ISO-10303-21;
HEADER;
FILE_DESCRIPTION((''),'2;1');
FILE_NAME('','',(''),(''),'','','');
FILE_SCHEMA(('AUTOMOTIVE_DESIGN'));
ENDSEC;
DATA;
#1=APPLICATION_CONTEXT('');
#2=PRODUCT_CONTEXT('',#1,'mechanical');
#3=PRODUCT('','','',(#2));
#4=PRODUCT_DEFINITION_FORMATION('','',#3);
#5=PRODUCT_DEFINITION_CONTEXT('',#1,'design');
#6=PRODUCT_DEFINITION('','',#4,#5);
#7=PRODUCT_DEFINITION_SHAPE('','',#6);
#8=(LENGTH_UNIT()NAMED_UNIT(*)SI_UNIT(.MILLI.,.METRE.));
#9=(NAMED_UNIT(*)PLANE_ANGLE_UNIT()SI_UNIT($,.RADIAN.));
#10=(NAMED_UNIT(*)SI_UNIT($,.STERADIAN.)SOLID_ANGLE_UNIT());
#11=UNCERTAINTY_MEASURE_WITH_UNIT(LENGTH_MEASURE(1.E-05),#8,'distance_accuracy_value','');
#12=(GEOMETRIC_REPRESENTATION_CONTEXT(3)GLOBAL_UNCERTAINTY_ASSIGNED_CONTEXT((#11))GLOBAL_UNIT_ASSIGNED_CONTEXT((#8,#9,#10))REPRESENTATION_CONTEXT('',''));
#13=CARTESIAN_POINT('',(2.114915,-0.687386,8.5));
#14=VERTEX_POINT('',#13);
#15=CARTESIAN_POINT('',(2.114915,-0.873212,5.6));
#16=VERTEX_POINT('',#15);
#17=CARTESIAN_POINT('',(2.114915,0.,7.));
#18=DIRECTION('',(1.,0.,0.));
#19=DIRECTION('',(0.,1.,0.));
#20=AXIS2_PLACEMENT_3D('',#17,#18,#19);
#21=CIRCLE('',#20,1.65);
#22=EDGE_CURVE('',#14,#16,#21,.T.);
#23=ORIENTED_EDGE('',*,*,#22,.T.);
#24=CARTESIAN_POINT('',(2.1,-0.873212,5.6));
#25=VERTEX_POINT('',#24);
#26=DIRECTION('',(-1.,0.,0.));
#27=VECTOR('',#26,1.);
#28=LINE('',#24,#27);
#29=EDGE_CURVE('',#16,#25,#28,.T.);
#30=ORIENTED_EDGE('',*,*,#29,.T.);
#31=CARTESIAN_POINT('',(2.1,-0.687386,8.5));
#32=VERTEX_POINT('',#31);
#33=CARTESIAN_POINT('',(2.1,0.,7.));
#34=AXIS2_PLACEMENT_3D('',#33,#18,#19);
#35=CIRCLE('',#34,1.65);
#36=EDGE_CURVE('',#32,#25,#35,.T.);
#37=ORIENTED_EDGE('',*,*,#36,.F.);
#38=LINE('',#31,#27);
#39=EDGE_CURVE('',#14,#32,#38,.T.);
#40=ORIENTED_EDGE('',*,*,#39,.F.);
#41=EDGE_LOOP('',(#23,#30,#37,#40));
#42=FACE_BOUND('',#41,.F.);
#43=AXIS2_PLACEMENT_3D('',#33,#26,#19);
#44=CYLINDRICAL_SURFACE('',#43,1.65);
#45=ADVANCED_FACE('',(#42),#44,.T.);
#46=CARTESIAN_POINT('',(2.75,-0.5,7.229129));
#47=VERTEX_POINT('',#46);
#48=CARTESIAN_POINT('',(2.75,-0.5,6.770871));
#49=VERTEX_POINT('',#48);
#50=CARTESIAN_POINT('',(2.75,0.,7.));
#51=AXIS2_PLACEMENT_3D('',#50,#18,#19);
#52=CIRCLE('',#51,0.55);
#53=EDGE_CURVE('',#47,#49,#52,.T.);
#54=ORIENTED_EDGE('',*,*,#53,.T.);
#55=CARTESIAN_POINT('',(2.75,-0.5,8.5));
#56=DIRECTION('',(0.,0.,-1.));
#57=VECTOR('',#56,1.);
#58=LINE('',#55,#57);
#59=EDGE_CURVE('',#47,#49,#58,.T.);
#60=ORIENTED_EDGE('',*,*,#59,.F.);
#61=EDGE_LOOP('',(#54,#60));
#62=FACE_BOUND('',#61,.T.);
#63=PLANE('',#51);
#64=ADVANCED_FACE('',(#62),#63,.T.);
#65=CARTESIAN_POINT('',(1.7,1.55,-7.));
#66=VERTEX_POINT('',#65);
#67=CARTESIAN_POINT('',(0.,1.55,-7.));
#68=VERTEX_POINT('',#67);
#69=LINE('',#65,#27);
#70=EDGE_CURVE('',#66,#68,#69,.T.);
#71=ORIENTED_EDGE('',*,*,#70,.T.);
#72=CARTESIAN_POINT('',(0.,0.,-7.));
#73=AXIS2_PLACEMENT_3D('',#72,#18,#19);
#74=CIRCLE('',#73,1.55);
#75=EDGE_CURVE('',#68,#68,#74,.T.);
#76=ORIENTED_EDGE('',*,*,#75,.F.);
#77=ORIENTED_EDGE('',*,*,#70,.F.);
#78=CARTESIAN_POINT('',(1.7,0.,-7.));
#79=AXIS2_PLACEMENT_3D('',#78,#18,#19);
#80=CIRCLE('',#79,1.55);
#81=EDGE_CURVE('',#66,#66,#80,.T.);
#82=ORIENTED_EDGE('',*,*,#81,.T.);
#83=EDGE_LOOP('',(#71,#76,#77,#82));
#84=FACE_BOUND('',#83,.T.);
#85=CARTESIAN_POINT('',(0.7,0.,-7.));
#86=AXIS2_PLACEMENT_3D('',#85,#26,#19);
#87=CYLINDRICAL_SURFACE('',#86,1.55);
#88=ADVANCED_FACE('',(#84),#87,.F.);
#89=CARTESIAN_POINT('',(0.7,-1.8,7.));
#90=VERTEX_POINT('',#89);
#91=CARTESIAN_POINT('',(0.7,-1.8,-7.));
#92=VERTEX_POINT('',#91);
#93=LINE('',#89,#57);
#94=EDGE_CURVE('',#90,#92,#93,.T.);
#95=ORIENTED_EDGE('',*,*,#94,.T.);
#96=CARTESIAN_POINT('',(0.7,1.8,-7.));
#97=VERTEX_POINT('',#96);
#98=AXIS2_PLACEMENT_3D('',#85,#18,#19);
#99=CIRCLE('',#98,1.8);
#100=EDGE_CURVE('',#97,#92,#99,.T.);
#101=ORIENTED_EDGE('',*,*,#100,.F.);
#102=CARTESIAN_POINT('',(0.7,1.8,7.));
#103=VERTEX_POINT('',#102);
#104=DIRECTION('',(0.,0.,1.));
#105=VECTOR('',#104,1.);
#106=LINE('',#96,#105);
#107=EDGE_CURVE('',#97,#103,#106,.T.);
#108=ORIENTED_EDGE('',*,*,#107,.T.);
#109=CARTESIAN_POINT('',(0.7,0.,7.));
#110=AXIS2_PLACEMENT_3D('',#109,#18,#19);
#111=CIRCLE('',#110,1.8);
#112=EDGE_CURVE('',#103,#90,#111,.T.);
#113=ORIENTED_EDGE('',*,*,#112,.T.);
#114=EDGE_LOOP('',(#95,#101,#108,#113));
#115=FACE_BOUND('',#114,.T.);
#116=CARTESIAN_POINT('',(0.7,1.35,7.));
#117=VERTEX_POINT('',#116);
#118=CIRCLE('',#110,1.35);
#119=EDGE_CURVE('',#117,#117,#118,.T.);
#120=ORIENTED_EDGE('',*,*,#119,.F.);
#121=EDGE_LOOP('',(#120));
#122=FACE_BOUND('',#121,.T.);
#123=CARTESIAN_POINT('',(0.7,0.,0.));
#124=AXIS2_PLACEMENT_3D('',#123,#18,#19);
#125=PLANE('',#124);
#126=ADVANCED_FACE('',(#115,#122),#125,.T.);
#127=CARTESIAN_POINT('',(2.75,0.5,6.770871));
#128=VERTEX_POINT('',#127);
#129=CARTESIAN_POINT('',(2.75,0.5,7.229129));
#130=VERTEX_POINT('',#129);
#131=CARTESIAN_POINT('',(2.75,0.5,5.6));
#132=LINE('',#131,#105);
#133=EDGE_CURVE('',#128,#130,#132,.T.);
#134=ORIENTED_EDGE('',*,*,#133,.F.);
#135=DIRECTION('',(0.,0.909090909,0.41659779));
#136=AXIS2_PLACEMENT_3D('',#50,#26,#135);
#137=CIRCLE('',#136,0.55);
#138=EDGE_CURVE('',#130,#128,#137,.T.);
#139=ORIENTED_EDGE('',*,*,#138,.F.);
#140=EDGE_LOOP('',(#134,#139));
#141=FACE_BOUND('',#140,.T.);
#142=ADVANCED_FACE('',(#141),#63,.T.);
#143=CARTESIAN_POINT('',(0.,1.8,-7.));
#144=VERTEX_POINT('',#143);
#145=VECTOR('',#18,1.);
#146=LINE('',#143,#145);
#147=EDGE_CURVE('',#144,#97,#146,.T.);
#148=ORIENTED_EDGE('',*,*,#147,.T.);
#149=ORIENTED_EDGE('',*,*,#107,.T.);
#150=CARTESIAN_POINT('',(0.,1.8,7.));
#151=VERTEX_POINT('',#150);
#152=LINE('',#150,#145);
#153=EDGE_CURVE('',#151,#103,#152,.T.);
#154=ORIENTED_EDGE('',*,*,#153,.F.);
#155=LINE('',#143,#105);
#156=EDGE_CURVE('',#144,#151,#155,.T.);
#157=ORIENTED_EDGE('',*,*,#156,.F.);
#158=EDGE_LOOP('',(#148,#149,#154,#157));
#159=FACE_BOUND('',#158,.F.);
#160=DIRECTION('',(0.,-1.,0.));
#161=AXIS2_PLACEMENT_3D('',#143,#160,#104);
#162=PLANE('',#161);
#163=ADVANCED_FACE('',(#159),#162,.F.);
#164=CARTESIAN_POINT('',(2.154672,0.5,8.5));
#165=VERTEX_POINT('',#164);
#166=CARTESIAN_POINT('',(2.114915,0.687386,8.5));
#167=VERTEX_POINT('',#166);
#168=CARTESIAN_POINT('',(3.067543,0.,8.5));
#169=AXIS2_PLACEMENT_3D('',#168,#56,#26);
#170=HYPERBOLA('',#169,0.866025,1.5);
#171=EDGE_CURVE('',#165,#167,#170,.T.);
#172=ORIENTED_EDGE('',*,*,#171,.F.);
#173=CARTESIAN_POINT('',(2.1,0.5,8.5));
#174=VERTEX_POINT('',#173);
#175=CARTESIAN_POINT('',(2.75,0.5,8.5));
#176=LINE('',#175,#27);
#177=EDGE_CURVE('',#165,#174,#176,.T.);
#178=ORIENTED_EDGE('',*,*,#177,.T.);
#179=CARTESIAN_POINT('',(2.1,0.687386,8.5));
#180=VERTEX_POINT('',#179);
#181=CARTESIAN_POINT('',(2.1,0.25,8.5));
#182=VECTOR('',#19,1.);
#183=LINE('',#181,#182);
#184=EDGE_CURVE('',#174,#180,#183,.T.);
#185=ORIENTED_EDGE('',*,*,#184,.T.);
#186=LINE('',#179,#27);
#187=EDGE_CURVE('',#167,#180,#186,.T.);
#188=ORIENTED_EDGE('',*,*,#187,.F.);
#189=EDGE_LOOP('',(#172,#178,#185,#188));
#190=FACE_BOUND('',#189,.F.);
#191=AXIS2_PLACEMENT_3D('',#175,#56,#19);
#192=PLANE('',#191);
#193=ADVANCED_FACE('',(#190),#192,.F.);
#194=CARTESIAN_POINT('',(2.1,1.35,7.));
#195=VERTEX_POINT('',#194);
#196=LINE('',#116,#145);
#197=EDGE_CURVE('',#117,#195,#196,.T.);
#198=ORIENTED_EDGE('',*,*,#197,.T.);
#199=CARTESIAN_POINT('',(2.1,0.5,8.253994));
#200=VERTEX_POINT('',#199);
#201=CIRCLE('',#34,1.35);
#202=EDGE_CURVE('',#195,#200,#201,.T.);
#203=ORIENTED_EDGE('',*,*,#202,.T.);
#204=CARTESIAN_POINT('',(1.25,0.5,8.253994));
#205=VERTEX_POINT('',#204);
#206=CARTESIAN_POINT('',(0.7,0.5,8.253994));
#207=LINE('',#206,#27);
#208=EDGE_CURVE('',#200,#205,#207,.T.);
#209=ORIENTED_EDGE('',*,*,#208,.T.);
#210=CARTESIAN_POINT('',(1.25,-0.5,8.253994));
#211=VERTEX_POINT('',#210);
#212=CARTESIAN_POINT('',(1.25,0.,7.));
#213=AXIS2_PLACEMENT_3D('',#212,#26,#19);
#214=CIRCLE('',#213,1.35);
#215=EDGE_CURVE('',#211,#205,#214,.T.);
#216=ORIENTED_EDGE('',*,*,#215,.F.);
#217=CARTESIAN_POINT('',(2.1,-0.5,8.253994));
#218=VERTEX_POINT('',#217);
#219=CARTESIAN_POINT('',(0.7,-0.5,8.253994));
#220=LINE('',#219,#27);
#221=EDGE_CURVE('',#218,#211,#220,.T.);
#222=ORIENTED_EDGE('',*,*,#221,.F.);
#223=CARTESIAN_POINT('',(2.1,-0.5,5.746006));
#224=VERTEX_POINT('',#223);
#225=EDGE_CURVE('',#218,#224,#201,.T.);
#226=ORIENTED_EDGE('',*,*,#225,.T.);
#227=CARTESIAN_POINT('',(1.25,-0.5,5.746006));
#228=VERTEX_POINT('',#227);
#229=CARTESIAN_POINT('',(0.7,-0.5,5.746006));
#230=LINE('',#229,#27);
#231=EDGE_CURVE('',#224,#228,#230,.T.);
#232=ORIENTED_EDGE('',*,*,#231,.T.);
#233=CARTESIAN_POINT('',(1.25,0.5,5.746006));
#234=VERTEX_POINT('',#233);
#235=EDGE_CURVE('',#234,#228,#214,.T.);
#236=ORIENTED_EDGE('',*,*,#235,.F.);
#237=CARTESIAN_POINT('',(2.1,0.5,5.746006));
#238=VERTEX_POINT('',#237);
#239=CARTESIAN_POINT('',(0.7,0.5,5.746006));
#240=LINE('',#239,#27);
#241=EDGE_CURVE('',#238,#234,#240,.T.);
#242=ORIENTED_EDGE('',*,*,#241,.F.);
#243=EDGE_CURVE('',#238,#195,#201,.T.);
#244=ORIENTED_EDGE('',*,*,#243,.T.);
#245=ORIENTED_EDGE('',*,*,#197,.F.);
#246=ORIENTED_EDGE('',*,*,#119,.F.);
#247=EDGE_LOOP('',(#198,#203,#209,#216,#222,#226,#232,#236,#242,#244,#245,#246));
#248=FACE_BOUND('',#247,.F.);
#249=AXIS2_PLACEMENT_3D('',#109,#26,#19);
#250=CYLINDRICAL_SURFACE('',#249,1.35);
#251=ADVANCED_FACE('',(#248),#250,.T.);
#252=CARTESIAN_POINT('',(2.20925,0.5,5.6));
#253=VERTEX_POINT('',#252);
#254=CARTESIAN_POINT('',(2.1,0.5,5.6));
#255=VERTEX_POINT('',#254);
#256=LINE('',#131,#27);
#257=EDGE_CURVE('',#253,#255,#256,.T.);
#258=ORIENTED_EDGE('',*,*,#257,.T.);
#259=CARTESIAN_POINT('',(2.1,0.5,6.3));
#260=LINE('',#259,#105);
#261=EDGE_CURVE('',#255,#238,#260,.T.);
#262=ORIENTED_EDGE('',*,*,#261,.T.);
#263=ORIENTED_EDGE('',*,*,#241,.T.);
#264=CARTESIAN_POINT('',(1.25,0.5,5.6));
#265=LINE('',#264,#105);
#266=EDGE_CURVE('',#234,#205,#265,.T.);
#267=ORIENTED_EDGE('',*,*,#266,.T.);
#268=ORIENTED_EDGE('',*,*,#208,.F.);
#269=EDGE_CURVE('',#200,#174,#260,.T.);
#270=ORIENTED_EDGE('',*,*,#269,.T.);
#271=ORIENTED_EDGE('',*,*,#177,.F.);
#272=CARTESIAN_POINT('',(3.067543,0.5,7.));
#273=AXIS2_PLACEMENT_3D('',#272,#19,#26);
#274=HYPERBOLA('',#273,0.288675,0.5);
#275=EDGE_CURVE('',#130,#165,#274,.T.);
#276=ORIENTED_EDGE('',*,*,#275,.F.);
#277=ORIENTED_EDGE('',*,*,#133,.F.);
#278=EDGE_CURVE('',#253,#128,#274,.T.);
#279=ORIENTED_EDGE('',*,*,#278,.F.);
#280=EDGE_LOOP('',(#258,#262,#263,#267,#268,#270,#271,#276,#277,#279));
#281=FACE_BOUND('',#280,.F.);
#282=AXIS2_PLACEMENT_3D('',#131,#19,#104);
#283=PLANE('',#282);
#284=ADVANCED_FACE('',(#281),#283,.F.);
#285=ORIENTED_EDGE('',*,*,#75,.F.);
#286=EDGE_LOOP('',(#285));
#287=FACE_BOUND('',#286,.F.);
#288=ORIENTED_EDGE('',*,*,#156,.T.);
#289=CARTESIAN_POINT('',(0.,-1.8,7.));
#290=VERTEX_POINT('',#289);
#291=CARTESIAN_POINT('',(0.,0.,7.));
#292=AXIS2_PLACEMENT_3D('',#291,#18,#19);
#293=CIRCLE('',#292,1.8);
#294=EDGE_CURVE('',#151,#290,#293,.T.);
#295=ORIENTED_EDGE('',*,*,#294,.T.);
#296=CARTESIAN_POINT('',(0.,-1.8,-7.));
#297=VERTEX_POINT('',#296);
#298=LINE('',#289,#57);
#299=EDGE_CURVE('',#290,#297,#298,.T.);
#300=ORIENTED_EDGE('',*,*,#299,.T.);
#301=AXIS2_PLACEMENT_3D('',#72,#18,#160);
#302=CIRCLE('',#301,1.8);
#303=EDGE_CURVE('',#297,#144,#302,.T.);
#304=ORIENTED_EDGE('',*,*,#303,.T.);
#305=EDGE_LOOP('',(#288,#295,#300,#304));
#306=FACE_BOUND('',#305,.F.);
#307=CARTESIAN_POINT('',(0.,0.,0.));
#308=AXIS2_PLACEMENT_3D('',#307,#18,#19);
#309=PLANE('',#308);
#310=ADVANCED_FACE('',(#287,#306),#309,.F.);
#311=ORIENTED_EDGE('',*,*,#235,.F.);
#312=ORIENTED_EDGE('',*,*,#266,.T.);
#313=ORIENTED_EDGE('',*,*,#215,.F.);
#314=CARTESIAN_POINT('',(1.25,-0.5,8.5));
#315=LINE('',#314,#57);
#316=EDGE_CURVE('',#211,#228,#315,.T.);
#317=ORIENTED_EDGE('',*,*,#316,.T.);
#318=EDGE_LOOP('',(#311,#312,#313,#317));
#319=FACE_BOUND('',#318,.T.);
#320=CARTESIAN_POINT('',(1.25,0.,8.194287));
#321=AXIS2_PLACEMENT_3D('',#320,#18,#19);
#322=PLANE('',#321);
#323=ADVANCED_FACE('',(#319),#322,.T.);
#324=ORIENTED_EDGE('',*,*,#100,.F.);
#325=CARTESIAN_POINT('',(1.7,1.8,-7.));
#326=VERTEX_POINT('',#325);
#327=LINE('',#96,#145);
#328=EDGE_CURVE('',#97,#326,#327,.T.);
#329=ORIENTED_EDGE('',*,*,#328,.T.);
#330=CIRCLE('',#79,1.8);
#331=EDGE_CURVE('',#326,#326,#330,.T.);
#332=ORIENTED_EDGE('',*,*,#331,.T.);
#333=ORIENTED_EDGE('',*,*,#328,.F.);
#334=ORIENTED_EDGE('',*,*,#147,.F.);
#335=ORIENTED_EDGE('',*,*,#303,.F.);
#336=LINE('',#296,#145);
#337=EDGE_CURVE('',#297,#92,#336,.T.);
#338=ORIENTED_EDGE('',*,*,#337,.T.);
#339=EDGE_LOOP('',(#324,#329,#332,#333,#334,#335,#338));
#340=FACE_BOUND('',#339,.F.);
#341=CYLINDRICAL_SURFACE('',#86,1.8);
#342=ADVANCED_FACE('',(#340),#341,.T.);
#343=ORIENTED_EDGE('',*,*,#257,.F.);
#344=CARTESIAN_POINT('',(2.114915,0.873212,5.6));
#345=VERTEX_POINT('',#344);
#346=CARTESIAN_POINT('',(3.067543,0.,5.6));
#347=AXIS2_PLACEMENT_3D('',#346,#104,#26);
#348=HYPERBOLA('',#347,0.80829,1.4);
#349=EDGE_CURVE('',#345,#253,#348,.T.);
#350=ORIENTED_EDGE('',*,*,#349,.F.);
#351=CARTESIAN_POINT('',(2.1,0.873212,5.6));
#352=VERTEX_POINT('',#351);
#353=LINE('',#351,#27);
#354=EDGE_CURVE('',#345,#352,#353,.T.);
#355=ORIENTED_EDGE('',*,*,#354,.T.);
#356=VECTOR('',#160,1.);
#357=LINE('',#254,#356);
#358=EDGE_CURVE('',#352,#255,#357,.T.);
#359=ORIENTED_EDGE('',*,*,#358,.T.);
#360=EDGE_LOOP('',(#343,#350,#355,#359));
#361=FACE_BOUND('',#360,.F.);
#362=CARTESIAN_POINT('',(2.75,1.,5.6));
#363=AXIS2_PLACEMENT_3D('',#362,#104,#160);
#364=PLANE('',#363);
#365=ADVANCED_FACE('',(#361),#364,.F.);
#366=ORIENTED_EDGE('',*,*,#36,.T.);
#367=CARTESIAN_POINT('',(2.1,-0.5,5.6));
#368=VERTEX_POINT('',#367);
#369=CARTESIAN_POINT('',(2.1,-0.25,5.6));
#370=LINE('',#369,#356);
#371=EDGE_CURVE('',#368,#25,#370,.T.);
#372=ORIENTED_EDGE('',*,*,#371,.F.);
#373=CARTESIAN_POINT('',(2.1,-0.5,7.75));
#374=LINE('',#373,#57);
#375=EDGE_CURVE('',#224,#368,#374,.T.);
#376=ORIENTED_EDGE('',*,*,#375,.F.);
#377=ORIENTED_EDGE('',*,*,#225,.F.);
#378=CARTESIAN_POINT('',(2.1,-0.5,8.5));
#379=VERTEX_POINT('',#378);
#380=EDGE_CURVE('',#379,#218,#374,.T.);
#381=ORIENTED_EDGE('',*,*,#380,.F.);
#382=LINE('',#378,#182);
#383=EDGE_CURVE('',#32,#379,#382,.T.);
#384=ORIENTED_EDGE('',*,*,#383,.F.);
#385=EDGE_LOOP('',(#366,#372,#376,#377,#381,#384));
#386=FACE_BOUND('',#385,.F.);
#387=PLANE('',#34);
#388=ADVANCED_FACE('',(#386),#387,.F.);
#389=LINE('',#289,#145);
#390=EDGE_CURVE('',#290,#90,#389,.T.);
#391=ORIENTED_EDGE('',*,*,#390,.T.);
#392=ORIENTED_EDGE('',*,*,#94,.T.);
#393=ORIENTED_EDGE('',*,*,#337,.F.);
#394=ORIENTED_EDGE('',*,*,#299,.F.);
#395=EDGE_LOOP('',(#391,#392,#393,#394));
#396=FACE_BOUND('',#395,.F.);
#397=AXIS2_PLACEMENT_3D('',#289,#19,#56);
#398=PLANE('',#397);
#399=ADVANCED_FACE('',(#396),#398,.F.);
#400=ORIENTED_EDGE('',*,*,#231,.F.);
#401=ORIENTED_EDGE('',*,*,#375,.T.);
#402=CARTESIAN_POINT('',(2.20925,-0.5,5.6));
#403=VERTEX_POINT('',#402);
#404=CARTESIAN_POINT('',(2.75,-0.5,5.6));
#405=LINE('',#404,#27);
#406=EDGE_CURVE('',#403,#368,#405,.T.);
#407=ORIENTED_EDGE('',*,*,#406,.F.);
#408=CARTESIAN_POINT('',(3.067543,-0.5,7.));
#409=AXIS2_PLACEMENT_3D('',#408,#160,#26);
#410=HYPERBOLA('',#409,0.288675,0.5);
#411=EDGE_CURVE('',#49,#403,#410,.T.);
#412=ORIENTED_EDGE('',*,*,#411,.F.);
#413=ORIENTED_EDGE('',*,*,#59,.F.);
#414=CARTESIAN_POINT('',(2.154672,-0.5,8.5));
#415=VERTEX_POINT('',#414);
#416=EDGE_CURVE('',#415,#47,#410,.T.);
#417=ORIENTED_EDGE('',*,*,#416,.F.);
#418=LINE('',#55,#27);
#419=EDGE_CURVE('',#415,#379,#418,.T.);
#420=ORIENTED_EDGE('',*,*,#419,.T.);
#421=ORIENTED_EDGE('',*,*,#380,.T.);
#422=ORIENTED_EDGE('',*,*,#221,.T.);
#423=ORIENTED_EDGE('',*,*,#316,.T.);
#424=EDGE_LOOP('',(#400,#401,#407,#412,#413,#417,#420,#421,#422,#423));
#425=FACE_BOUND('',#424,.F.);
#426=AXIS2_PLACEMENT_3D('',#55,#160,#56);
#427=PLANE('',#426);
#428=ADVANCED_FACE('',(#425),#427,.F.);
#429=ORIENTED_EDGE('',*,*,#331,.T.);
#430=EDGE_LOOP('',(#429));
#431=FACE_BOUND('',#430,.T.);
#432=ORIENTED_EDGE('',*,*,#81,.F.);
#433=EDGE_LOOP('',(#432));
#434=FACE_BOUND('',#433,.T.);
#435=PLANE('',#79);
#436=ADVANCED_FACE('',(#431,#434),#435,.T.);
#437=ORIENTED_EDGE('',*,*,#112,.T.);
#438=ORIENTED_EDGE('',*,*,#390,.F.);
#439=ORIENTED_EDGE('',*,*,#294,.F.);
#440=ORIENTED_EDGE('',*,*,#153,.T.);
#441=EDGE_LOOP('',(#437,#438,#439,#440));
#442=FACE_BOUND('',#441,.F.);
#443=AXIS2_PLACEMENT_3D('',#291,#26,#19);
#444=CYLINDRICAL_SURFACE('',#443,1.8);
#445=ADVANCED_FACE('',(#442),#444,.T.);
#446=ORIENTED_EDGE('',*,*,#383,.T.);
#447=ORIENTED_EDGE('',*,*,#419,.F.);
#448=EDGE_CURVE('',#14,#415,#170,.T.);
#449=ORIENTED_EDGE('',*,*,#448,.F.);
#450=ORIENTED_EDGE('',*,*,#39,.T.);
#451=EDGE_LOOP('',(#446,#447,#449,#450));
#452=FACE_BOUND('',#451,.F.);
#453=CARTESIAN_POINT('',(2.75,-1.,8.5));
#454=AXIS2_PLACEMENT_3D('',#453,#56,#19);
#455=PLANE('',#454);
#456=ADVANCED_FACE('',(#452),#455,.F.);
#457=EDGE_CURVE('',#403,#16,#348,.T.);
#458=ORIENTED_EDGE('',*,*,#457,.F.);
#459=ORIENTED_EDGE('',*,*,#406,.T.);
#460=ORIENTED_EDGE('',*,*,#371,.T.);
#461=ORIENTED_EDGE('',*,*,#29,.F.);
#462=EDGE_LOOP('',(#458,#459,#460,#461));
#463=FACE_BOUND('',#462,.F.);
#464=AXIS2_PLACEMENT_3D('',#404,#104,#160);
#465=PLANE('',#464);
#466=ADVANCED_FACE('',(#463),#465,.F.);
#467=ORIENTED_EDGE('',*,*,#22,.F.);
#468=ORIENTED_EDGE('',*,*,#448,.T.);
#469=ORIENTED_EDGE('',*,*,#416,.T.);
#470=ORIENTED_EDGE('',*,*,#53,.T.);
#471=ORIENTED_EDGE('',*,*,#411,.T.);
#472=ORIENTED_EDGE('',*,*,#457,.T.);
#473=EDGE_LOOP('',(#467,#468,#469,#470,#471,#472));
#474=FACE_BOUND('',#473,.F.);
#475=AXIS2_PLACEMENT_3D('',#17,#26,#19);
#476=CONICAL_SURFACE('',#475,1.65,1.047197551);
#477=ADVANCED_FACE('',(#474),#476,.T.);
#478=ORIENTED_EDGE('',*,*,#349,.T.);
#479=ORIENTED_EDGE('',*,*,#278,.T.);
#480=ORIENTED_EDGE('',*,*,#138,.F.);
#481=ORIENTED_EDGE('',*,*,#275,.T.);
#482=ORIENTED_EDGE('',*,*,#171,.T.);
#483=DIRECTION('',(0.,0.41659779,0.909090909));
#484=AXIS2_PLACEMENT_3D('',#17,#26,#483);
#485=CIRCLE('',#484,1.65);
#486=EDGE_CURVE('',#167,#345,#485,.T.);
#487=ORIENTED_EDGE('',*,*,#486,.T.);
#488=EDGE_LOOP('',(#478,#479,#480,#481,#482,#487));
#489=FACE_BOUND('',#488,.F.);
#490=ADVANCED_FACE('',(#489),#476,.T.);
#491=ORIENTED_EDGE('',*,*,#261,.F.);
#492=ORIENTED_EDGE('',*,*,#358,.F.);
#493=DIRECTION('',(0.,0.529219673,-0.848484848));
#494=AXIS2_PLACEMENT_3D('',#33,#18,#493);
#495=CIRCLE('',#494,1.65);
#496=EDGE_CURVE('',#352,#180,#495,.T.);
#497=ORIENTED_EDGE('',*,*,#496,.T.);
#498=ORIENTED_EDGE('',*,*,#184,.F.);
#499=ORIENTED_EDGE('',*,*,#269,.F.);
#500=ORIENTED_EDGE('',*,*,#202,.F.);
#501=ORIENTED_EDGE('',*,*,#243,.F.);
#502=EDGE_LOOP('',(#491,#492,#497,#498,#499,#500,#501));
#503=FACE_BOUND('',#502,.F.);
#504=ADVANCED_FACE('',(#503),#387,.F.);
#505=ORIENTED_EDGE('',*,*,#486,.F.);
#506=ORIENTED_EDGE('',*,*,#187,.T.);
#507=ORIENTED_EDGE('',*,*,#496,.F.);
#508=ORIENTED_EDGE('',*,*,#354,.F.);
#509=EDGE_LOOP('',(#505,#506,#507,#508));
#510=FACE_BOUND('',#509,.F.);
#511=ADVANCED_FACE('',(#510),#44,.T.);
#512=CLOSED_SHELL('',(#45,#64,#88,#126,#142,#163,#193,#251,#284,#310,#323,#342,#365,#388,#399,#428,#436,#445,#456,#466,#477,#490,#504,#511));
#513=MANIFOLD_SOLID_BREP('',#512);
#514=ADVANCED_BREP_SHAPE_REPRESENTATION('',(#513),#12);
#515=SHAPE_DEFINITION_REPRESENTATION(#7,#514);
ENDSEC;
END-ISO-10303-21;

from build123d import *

# Parameters (mm, degrees)
F0_R      = 1.55
F1_DEPTH  = 0.7
F2_R      = 1.35
F3_DEPTH  = 1.4
F4_R      = 1.65
F5_DEPTH  = 0.65
F6_SIZE2  = 0.6350852961
F6_SIZE   = 1.1
F8_DEPTH  = 1.5
F9_R      = 1.8
F9_R_2    = 1.55
F10_DEPTH = 1


with BuildPart() as f1:
    # F0 (on Right) → F1 (new body)
    with BuildSketch(Plane.YZ):
        with BuildLine():
            Line((1.8, -7), (1.8, 7))
            ThreePointArc((1.8, 7), (0, 8.8), (-1.8, 7))
            Line((-1.8, 7), (-1.8, -7))
            ThreePointArc((-1.8, -7), (0, -8.8), (1.8, -7))
        make_face()
        with Locations((0, -7)):
            Circle(F0_R, mode=Mode.SUBTRACT)
    extrude(amount=F1_DEPTH)

    # F2 (on face) → F3 (join)
    with BuildSketch(Plane.YZ.offset(0.7)):
        with Locations((0, 7)):
            Circle(F2_R)
    extrude(amount=F3_DEPTH)

    # F4 (on face) → F5 (join)
    with BuildSketch(Plane.YZ.offset(2.1)):
        with Locations((0, 7)):
            Circle(F4_R)
    extrude(amount=F5_DEPTH)

    # F6
    f6_edges = [f1.edges().sort_by_distance(p)[0] for p in [
        (2.75, -1.65, 7),
    ]]
    f6_side = f1.faces().sort_by_distance((2.75, 0, 7))[0]
    chamfer(f6_edges, length=F6_SIZE, length2=F6_SIZE2, reference=f6_side)

    # F7 (on face) → F8 (cut)
    with BuildSketch(Plane.YZ.offset(2.75)):
        with BuildLine():
            Line((0.5, 8.8), (-0.5, 8.8))
            Line((-0.5, 8.8), (-1, 8.8))
            Line((-1, 8.8), (-1, 8.5))
            Line((-1, 8.5), (-0.5, 8.5))
            Line((-0.5, 8.5), (-0.5, 7.2291287847))
            ThreePointArc((-0.5, 7.2291287847), (0, 7.55), (0.5, 7.2291287847))
            Line((0.5, 7.2291287847), (0.5, 8.5))
            Line((0.5, 8.5), (1, 8.5))
            Line((1, 8.5), (1, 8.8))
            Line((1, 8.8), (0.5, 8.8))
        make_face()
        with BuildLine():
            ThreePointArc((0.5, 7.2291287847), (0, 7.55), (-0.5, 7.2291287847))
            Line((-0.5, 7.2291287847), (-0.5, 6.7708712153))
            ThreePointArc((-0.5, 6.7708712153), (0, 6.45), (0.5, 6.7708712153))
            Line((0.5, 6.7708712153), (0.5, 7.2291287847))
        make_face()
        with BuildLine():
            ThreePointArc((0.5, 6.7708712153), (0, 6.45), (-0.5, 6.7708712153))
            Line((-0.5, 6.7708712153), (-0.5, 5.6))
            Line((-0.5, 5.6), (-1, 5.6))
            Line((-1, 5.6), (-1, 5.3))
            Line((-1, 5.3), (-0.5, 5.3))
            Line((-0.5, 5.3), (0.5, 5.3))
            Line((0.5, 5.3), (1, 5.3))
            Line((1, 5.3), (1, 5.6))
            Line((1, 5.6), (0.5, 5.6))
            Line((0.5, 5.6), (0.5, 6.7708712153))
        make_face()
    extrude(amount=-F8_DEPTH, mode=Mode.SUBTRACT)

    # F9 (on face) → F10 (join)
    with BuildSketch(Plane.YZ.offset(0.7)):
        with Locations((0, -7)):
            Circle(F9_R)
        with Locations((0, -7)):
            Circle(F9_R_2, mode=Mode.SUBTRACT)
    extrude(amount=F10_DEPTH)


solid = f1.part
